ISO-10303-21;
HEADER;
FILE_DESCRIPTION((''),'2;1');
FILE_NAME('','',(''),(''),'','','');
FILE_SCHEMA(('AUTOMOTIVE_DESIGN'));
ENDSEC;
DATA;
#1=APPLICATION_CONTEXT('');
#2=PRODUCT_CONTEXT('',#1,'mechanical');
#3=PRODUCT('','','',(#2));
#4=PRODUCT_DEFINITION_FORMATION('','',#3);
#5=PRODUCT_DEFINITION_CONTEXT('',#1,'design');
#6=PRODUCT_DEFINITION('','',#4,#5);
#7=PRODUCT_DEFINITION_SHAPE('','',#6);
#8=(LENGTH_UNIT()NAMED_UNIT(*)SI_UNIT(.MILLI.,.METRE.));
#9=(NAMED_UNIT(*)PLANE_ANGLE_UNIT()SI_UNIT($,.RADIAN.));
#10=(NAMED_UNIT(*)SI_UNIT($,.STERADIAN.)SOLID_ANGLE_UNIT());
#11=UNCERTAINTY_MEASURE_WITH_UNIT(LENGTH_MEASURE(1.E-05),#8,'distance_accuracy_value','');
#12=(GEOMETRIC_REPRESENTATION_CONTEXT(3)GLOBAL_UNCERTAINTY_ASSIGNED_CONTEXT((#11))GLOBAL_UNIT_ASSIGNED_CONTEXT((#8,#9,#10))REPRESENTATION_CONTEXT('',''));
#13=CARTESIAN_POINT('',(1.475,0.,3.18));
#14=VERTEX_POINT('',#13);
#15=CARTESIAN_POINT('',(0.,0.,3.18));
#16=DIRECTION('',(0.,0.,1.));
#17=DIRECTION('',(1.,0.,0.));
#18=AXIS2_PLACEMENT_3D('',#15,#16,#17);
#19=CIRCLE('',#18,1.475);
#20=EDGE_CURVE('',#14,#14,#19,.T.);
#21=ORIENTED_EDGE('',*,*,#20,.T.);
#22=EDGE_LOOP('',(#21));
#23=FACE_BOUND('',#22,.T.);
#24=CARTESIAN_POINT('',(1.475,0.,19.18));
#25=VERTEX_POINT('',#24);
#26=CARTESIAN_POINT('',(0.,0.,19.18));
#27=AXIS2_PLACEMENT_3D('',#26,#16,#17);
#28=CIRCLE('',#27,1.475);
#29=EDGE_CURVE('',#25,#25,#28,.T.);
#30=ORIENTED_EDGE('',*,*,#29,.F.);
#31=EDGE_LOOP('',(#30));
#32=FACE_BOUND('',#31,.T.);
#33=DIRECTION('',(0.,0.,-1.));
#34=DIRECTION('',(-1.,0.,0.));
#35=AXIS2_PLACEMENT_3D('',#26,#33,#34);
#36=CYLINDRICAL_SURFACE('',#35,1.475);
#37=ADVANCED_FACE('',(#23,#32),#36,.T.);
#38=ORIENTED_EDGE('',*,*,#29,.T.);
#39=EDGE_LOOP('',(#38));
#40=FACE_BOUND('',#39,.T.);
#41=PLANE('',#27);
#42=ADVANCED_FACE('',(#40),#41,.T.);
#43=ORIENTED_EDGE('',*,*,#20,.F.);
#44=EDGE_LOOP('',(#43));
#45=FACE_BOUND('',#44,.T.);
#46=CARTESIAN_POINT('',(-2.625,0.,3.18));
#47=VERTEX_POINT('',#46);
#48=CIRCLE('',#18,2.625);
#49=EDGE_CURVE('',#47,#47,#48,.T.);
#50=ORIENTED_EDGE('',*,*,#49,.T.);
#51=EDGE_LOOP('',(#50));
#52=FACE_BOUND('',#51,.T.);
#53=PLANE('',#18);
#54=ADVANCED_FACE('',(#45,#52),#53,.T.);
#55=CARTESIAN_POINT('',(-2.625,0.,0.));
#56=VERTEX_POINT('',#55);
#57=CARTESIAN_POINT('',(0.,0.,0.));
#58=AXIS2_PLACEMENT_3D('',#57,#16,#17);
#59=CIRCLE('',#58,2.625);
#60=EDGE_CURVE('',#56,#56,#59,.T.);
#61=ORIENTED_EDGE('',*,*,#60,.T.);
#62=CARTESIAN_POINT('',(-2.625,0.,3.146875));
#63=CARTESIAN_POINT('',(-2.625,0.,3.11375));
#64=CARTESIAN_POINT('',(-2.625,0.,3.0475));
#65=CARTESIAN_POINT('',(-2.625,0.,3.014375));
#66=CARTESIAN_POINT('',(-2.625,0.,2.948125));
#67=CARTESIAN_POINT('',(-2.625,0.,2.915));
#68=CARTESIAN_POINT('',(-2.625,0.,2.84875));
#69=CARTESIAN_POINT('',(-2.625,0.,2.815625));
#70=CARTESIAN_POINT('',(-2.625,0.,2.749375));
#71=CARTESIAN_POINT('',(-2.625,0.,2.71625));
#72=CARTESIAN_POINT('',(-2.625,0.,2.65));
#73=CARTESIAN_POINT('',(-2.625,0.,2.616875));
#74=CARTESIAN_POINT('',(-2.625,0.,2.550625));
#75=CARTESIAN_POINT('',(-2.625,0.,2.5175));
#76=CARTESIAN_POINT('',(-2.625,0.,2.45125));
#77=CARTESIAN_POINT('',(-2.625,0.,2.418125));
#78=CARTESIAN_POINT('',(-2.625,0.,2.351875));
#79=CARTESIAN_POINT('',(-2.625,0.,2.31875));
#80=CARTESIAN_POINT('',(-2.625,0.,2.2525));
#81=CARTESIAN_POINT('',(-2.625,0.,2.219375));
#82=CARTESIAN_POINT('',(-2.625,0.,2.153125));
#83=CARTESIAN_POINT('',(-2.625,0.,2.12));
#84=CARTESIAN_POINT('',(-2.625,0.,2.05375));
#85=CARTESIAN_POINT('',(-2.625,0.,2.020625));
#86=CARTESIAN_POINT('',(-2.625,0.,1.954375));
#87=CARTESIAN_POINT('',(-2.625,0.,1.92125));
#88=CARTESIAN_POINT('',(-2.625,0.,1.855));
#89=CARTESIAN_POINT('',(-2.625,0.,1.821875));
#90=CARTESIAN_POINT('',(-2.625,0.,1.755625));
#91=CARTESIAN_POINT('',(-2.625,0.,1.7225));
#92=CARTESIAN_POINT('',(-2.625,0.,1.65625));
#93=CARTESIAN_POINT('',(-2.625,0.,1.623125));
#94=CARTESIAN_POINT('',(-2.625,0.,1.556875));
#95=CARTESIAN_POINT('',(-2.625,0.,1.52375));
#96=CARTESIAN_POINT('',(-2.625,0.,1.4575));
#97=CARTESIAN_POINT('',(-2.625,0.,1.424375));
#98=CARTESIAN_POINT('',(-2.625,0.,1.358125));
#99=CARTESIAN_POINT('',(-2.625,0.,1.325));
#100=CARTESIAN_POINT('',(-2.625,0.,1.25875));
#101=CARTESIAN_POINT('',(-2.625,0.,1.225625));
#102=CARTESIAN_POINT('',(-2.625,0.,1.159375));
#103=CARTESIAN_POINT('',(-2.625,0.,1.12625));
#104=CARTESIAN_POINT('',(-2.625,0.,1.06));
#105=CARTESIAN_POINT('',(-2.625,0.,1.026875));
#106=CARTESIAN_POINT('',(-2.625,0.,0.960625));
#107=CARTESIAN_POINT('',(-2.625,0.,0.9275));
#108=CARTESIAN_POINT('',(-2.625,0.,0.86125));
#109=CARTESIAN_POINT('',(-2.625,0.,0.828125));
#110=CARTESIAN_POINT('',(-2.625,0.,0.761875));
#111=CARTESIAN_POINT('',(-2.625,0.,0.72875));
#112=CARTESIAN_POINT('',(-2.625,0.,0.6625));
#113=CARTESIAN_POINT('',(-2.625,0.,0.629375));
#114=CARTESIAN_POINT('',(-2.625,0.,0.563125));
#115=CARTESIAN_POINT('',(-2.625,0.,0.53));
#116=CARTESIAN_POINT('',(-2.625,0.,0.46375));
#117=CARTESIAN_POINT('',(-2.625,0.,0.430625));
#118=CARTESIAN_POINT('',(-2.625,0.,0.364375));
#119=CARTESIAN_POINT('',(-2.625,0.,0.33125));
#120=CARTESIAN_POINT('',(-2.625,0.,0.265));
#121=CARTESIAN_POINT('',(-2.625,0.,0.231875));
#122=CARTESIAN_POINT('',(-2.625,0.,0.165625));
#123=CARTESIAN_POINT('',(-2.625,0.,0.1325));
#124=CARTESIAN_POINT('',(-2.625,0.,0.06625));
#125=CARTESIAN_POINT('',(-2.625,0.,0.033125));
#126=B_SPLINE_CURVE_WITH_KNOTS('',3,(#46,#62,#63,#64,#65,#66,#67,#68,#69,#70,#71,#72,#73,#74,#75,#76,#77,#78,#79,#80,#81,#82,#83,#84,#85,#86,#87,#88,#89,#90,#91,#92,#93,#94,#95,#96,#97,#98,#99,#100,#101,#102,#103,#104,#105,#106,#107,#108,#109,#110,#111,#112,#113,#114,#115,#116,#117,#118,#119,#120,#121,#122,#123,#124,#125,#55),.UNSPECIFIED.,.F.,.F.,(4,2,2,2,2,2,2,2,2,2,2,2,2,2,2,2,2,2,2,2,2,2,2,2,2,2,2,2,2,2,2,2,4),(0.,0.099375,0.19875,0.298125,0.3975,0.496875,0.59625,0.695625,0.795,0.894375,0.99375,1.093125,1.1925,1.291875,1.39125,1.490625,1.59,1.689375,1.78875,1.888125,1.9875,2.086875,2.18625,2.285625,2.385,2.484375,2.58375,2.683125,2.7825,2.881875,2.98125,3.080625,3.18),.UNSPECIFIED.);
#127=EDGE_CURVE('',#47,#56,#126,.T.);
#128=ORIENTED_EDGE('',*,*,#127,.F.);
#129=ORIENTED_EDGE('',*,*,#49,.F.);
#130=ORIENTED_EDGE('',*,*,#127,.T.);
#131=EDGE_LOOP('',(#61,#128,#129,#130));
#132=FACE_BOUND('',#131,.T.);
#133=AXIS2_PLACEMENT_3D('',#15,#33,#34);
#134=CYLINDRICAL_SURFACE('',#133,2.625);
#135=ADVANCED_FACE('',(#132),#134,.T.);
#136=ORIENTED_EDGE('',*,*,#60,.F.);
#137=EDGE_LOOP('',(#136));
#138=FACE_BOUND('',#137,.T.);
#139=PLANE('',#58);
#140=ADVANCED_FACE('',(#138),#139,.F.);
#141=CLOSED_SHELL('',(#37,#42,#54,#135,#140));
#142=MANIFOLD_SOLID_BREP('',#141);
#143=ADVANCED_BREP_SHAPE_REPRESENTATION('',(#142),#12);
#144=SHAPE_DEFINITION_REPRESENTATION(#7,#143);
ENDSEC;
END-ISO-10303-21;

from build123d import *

# Parameters (mm, degrees)
SKETCH1_R           = 2.625
BOSS_EXTRUDE1_DEPTH = 3.18
SKETCH2_R           = 1.475
BOSS_EXTRUDE2_DEPTH = 16


with BuildPart() as part:
    # Sketch1 → Boss-Extrude1 (new body)
    with BuildSketch(Plane.XY):
        with Locations(Location((0, 0, 0), (0, 0, 180))):
            Circle(SKETCH1_R)
    extrude(amount=BOSS_EXTRUDE1_DEPTH)

    # Sketch2 → Boss-Extrude2 (add)
    with BuildSketch(Plane.XY.offset(3.18)):
        Circle(SKETCH2_R)
    extrude(amount=BOSS_EXTRUDE2_DEPTH)


solid = part.part
